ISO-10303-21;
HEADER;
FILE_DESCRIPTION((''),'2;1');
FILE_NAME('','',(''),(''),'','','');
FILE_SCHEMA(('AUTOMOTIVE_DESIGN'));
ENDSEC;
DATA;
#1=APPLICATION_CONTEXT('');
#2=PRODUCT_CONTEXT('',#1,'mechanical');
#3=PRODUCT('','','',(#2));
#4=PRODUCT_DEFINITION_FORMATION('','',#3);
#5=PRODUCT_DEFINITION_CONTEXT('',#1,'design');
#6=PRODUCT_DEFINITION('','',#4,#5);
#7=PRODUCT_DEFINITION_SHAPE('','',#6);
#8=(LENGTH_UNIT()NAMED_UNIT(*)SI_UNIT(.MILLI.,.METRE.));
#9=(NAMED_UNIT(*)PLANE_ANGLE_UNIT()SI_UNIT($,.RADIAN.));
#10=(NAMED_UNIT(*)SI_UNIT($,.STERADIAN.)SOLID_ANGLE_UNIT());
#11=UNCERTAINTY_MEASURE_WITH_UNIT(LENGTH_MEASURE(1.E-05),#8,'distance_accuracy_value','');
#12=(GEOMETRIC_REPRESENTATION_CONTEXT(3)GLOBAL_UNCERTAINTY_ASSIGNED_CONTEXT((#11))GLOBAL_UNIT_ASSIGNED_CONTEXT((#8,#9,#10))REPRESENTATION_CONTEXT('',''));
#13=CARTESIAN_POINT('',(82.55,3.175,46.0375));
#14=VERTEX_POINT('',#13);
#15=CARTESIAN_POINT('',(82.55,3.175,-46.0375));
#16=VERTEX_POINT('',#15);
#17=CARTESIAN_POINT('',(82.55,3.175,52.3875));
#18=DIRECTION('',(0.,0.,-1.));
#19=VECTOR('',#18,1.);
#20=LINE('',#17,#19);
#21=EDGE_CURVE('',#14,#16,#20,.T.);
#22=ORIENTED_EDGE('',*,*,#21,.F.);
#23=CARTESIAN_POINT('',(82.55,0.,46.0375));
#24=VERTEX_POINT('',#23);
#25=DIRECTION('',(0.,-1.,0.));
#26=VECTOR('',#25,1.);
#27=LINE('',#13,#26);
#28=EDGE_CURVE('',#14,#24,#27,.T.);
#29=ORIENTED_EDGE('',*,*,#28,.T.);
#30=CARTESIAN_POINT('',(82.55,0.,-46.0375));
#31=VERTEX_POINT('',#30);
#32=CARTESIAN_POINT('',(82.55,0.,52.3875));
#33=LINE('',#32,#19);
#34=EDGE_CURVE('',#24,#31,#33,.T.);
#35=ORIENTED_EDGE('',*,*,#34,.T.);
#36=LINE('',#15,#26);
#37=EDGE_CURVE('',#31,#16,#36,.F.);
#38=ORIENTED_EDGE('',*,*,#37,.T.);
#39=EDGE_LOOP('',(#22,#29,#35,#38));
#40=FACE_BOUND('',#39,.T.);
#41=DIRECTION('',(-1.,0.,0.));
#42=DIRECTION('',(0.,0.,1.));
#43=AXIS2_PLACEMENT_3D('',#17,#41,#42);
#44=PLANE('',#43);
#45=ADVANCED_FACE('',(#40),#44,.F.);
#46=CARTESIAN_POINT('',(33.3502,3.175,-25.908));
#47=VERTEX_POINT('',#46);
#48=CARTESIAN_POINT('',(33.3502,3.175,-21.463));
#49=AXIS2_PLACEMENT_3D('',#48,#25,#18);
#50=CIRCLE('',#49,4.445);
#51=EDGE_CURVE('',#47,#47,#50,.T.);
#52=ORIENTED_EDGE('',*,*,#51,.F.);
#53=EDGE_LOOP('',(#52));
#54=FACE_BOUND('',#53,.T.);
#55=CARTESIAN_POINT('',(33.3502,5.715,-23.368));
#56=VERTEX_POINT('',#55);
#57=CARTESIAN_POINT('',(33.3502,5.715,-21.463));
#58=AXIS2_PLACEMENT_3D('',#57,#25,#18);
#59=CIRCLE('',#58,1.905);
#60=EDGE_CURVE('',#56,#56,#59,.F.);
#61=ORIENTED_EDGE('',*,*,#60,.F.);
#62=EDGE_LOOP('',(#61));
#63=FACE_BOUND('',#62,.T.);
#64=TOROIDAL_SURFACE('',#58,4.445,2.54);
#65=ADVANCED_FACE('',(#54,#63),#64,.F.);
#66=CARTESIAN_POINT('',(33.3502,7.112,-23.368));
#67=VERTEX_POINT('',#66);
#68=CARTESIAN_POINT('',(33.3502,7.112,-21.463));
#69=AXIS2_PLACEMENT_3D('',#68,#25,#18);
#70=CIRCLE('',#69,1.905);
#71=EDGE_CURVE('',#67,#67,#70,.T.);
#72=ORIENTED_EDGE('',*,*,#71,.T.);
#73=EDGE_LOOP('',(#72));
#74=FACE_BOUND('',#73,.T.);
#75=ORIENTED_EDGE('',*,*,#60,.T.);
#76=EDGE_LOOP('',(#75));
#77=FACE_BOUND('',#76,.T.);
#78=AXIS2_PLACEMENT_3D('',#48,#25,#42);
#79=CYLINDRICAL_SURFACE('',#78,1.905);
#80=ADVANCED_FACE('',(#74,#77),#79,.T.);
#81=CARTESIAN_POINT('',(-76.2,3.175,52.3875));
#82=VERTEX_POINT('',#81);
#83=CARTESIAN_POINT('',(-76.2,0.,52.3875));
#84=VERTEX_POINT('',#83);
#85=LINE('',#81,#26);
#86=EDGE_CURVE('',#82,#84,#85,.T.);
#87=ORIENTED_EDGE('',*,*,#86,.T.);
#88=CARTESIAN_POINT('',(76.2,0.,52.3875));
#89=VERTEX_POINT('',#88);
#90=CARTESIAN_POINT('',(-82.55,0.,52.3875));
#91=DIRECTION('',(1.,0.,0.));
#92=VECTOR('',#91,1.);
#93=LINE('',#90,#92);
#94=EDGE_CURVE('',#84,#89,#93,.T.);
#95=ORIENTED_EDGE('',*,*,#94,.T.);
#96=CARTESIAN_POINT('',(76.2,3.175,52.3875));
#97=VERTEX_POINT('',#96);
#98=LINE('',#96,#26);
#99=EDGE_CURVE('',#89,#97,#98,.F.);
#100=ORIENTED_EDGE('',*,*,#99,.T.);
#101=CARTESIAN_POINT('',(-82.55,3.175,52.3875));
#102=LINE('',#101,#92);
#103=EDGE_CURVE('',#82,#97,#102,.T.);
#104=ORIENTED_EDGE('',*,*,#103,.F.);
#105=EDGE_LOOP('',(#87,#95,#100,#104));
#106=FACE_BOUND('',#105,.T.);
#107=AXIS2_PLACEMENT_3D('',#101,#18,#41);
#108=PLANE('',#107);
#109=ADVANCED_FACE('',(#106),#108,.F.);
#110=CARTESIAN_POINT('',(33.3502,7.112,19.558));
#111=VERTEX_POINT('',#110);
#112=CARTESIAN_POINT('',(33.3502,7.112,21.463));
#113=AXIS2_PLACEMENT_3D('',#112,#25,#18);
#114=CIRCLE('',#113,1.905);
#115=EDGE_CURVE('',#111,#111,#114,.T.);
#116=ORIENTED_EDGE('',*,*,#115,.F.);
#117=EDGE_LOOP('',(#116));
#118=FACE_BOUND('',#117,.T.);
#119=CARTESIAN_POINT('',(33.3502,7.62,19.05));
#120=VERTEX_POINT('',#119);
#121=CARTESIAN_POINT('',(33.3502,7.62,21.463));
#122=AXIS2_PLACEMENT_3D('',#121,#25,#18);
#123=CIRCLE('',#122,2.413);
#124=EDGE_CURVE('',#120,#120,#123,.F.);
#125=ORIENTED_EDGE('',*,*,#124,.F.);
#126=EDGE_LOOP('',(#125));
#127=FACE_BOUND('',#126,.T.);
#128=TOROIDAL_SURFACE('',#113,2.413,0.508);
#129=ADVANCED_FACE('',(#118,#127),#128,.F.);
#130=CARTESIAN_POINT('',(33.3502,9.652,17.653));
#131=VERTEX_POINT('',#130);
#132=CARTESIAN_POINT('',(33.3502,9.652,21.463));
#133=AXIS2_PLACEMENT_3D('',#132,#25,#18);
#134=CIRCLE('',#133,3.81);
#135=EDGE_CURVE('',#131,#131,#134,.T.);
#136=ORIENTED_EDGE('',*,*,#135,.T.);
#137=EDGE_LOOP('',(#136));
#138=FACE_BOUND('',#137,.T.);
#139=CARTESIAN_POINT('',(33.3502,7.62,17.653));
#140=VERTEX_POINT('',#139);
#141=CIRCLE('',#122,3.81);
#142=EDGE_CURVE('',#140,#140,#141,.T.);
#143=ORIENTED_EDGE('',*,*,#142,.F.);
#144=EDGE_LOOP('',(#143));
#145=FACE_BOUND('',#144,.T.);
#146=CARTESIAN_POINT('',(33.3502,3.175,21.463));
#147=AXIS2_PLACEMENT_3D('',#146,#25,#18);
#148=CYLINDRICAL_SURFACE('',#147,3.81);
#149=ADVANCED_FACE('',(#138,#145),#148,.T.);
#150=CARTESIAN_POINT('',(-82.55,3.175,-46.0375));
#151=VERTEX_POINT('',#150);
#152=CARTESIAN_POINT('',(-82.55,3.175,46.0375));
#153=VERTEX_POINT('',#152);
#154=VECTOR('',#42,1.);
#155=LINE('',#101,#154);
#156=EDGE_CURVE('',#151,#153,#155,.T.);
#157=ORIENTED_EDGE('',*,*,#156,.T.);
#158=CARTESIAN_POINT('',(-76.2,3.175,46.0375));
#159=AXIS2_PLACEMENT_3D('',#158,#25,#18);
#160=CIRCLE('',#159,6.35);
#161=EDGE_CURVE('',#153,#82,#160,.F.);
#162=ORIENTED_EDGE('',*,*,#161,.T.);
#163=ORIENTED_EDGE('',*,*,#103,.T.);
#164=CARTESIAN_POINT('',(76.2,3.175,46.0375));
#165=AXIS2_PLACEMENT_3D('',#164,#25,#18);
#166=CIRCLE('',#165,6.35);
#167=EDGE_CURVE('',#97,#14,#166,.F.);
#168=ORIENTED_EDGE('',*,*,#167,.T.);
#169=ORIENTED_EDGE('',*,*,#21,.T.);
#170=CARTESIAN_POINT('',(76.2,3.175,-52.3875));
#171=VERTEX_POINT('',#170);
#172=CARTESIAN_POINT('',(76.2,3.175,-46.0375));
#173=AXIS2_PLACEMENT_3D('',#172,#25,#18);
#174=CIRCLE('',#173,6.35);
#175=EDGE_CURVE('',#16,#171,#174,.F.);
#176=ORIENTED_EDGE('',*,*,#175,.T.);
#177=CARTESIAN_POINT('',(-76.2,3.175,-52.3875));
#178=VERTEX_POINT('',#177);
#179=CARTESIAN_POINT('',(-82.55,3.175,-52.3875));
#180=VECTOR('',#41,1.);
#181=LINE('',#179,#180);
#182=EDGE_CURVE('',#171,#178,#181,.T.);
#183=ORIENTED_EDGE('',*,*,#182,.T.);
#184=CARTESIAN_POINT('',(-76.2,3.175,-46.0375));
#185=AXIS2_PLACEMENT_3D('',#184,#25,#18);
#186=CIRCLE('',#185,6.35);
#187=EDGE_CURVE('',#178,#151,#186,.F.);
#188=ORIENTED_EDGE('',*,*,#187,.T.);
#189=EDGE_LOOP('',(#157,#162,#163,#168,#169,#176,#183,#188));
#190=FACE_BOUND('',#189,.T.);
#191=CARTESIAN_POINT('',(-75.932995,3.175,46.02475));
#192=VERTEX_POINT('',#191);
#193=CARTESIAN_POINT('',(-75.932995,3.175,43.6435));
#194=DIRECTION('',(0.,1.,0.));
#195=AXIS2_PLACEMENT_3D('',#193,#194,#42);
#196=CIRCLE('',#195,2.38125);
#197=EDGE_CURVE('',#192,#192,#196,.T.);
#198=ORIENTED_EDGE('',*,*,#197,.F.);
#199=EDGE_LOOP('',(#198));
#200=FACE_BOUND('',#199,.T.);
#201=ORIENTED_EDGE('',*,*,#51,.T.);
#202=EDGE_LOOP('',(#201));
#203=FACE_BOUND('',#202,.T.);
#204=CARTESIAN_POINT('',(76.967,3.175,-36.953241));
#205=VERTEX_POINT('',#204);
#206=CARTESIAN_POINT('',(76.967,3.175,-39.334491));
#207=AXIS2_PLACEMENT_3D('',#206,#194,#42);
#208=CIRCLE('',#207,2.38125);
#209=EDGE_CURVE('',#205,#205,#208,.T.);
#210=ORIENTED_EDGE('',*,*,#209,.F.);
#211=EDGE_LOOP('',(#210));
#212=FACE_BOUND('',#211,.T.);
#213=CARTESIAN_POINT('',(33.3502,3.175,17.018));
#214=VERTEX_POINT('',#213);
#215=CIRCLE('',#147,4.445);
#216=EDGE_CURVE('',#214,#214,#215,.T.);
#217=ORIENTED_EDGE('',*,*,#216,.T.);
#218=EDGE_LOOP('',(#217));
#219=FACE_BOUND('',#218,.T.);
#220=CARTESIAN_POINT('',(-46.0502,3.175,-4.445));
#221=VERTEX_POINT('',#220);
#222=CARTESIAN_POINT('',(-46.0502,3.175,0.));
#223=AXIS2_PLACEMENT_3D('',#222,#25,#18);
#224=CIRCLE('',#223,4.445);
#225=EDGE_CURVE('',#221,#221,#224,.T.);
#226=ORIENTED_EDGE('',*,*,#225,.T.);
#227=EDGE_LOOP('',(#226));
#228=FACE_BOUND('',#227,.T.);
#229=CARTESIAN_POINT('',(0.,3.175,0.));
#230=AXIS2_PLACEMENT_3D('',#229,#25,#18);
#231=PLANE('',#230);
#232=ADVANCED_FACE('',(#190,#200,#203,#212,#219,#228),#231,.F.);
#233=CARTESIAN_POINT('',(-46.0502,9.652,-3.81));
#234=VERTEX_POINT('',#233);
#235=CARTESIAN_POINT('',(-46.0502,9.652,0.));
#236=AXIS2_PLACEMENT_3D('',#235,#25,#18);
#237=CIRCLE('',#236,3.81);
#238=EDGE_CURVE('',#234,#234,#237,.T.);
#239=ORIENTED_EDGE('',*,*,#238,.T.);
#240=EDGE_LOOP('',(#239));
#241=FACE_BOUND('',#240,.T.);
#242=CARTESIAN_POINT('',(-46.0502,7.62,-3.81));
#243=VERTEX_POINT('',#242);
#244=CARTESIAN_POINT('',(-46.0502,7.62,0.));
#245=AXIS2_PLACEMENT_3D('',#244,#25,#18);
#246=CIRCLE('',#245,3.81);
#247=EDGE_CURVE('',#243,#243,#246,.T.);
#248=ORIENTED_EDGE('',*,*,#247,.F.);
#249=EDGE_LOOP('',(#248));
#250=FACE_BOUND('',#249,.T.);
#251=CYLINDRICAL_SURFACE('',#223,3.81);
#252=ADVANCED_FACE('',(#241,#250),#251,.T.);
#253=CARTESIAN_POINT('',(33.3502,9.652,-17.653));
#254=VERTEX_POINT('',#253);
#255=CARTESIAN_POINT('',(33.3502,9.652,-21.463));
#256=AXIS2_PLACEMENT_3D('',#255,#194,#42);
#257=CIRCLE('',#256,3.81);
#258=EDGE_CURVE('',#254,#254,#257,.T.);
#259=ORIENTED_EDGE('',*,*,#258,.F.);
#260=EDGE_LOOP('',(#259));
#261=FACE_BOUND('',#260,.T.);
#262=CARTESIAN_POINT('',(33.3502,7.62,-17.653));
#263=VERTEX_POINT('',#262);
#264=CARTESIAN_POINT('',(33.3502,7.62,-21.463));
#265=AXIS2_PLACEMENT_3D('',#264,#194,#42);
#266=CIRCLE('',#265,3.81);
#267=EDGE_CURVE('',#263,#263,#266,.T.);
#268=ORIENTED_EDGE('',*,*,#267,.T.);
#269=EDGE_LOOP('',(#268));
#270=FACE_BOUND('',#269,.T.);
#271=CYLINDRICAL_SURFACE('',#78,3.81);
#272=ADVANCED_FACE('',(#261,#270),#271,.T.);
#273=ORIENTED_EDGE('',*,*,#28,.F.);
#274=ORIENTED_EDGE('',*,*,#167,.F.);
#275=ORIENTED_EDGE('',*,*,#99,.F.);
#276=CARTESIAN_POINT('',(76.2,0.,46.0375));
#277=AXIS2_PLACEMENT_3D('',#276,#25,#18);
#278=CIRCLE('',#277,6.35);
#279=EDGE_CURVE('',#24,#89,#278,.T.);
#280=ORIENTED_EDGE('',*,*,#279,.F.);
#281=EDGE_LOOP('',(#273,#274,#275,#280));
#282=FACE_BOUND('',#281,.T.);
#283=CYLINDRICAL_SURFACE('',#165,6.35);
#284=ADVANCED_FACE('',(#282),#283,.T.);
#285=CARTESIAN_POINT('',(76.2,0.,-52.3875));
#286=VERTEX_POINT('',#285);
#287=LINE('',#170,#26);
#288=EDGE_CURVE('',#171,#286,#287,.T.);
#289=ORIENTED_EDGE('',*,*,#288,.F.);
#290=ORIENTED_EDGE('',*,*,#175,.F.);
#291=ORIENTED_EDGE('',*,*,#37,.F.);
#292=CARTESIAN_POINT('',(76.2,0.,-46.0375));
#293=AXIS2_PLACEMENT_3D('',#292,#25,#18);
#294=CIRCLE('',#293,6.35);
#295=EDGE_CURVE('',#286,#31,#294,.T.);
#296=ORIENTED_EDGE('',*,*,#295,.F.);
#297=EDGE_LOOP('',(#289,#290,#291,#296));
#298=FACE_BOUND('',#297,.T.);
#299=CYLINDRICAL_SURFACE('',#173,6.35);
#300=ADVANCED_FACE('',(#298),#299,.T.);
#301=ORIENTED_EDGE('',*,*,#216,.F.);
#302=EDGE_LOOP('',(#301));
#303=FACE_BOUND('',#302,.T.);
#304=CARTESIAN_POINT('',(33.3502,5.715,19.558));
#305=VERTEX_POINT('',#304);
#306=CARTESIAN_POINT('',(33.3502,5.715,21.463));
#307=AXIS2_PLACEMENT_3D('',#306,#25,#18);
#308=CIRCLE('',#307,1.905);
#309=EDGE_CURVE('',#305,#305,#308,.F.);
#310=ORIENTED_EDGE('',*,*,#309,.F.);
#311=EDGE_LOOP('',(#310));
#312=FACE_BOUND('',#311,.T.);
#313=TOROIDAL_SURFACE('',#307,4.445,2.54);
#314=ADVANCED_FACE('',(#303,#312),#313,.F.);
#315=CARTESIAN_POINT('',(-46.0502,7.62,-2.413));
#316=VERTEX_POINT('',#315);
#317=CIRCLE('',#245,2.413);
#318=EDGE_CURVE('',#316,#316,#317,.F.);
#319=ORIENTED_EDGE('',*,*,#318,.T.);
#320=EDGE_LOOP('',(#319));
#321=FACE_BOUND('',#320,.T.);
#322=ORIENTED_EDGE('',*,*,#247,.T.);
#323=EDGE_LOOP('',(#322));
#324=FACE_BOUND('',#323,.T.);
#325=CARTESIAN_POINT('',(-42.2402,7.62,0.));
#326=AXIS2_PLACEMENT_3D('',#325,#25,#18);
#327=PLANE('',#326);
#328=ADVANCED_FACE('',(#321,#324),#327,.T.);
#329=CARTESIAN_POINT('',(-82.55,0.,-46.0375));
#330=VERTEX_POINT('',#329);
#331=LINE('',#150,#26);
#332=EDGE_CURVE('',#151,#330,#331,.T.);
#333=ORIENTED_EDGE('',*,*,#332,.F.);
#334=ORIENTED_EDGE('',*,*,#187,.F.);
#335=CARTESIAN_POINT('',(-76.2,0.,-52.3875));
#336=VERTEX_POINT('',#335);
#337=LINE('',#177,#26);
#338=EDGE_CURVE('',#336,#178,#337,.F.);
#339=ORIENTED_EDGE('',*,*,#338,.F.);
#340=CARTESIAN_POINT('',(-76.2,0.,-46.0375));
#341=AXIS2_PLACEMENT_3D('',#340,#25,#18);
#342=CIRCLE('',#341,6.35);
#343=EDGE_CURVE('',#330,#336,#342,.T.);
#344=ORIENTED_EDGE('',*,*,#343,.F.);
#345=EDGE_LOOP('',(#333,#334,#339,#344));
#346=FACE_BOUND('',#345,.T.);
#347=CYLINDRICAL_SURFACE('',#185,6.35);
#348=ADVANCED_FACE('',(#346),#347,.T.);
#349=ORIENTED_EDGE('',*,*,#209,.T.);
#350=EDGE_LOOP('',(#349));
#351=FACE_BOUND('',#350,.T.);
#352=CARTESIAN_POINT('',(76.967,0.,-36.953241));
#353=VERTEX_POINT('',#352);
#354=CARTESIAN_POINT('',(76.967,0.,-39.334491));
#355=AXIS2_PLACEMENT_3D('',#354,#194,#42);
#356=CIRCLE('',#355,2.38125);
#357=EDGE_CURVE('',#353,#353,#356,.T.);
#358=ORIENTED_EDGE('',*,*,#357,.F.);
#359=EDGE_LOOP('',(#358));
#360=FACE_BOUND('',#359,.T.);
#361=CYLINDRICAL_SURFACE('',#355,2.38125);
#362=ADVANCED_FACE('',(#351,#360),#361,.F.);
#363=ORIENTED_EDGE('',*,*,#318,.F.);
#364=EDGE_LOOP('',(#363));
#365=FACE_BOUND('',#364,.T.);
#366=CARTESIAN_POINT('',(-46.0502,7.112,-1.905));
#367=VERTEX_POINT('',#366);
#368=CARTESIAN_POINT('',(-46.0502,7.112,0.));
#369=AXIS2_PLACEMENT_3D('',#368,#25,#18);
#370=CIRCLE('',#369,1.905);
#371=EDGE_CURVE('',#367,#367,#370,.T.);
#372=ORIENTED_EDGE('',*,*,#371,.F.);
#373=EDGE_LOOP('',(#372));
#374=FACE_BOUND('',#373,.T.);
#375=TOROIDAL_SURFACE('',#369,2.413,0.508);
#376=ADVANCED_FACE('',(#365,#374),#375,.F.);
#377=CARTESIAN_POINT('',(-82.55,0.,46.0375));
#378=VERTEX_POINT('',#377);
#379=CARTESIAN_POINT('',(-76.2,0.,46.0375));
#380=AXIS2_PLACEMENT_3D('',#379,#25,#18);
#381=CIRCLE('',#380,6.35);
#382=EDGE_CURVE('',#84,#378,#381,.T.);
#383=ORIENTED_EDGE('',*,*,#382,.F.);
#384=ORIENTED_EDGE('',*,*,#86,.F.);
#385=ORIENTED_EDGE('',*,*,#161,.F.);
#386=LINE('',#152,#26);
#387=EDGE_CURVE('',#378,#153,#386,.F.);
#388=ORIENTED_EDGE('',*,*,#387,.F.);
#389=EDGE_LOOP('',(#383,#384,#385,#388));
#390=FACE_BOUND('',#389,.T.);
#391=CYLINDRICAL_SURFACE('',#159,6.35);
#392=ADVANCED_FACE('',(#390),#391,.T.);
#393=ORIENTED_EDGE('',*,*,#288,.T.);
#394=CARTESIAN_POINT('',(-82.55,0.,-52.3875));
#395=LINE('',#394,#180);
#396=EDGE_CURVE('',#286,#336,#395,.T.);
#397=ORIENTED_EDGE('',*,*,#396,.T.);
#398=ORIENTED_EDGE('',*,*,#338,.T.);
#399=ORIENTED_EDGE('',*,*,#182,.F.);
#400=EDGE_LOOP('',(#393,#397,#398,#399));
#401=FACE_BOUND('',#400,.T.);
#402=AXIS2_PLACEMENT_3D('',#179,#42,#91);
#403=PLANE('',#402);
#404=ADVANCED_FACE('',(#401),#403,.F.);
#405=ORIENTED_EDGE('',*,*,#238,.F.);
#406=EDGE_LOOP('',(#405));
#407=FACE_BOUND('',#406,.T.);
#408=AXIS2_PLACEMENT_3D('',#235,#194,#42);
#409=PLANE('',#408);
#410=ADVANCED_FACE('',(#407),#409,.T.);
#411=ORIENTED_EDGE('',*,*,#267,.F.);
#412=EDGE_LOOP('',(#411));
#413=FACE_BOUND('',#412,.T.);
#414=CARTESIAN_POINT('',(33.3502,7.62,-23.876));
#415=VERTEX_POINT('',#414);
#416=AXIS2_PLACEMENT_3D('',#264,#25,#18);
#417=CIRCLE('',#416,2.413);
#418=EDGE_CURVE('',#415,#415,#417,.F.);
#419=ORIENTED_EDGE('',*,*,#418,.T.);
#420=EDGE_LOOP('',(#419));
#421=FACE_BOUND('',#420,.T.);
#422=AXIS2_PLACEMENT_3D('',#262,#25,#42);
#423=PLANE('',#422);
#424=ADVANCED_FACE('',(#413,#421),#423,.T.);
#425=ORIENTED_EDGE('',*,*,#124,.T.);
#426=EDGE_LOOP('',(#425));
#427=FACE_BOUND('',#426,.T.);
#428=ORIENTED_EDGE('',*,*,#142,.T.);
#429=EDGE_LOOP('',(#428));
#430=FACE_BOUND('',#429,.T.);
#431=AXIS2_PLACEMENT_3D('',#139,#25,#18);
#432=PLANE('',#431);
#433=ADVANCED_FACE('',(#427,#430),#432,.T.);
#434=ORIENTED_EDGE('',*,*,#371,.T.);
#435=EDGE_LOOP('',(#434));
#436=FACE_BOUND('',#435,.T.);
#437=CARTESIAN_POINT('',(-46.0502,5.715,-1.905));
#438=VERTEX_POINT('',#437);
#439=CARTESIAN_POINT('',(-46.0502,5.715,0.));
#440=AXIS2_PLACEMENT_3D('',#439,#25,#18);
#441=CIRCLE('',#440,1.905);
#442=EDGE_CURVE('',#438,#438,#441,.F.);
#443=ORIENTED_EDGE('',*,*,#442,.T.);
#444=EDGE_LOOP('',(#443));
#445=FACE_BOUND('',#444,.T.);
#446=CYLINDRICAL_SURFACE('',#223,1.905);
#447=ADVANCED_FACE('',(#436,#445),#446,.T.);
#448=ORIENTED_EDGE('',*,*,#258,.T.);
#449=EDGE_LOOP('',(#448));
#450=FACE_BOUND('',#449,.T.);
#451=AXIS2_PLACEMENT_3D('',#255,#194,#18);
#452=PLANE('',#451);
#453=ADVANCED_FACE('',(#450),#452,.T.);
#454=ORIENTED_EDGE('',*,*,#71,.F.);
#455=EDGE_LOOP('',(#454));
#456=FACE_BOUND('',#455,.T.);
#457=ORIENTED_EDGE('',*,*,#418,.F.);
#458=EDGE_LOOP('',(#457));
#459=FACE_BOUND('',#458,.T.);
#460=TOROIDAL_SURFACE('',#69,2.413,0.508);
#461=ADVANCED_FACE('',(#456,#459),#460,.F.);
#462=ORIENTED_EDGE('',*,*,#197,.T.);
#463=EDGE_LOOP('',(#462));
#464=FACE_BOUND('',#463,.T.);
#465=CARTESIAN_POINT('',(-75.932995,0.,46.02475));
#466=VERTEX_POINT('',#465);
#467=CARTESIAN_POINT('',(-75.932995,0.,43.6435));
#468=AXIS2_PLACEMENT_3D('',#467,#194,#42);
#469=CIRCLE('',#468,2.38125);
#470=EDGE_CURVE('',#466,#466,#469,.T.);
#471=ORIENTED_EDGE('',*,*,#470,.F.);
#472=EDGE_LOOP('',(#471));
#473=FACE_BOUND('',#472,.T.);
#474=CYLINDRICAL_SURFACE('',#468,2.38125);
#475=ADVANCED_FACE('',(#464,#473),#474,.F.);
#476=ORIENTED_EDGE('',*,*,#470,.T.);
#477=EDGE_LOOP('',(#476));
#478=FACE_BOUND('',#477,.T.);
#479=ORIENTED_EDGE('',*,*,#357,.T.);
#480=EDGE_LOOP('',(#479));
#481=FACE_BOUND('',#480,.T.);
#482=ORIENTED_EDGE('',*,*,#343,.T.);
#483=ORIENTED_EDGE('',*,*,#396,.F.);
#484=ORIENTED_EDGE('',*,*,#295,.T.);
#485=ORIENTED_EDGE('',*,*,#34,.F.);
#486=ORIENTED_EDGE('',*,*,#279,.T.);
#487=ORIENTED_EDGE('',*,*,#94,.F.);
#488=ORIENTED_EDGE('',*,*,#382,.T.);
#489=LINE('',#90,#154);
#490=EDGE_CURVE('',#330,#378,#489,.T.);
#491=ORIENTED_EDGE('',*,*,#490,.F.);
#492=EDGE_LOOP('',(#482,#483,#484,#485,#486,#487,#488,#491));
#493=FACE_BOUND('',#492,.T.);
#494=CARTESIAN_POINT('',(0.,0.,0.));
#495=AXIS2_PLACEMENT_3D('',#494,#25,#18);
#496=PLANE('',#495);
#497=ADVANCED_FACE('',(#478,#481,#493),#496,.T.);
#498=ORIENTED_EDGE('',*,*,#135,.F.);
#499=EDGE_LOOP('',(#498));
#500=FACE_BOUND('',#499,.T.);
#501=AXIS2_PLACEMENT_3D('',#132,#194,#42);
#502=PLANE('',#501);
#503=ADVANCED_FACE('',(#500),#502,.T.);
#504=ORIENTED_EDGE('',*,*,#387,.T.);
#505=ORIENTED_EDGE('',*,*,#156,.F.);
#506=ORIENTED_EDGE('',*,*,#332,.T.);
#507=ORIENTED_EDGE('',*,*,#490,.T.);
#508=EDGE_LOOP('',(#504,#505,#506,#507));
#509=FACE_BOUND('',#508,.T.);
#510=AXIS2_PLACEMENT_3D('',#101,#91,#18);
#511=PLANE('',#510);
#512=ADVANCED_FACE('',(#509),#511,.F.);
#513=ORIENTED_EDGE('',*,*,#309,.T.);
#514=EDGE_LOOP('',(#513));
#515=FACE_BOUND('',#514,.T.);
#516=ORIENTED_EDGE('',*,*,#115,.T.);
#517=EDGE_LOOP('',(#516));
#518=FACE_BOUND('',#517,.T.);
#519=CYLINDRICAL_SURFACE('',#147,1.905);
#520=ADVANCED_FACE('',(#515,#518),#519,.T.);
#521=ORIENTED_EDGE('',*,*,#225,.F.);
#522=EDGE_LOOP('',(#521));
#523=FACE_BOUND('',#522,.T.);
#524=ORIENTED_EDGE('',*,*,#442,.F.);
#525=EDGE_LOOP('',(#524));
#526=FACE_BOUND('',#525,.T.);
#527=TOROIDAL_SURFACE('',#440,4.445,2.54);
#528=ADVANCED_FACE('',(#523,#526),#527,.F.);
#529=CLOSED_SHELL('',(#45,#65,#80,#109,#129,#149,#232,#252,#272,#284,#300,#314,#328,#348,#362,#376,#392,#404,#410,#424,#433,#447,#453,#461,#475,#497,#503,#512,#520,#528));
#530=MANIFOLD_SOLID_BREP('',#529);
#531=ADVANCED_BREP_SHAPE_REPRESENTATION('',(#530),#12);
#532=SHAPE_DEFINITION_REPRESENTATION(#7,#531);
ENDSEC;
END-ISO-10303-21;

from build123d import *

# Parameters (mm, degrees)
SKETCH1_W           = 165.1
SKETCH1_H           = 104.775
BOSS_EXTRUDE1_DEPTH = 3.175
FILLET1_R           = 2.54
FILLET2_R           = 0.508
FILLET3_R           = 6.35
SKETCH4_R           = 2.38125
CUT_EXTRUDE1_DEPTH  = 4.175


with BuildPart() as part:
    # Sketch1 → Boss-Extrude1 (new body)
    with BuildSketch(Plane(origin=(0, 0, 0), x_dir=(1, 0, 0), z_dir=(0, 1, 0))):
        Rectangle(SKETCH1_W, SKETCH1_H)
    extrude(amount=BOSS_EXTRUDE1_DEPTH)

    # Sketch2 → Revolve1 (revolve)
    with BuildSketch(Plane.XY):
        Polygon((-46.0502, 3.175), (-46.0502, 9.652), (-42.2402, 9.652), (-42.2402, 7.62), (-44.1452, 7.62), (-44.1452, 3.175), align=None)
    revolve(axis=Axis((-46.0502, 3.175, 0), (0, 1, 0)))

    # Sketch3 → Revolve2 (revolve)
    with BuildSketch(Plane(origin=(33.3502, 0, 0), x_dir=(0, 0, -1), z_dir=(1, 0, 0))):
        Polygon((-21.463, 3.175), (-21.463, 9.652), (-17.653, 9.652), (-17.653, 7.62), (-19.558, 7.62), (-19.558, 3.175), align=None)
    revolve2 = revolve(axis=Axis((33.3502, 3.175, 21.463), (0, 1, 0)))

    # Mirror1: Revolve2 across plane
    add(revolve2.mirror(Plane.XY))

    # Fillet1
    fillet1_edges = [part.edges().sort_by_distance(p)[0] for p in [
        (-47.9552, 3.175, 0),
        (33.3502, 3.175, 23.368),
        (33.3502, 3.175, -23.368),
    ]]
    fillet(fillet1_edges, radius=FILLET1_R)

    # Fillet2
    fillet2_edges = [part.edges().sort_by_distance(p)[0] for p in [
        (-47.9552, 7.62, 0),
        (33.3502, 7.62, 23.368),
        (33.3502, 7.62, -23.368),
    ]]
    fillet(fillet2_edges, radius=FILLET2_R)

    # Fillet3
    fillet3_edges = [part.edges().sort_by_distance(p)[0] for p in [
        (82.55, 1.5875, 52.3875),
        (-82.55, 1.5875, 52.3875),
        (-82.55, 1.5875, -52.3875),
        (82.55, 1.5875, -52.3875),
    ]]
    fillet(fillet3_edges, radius=FILLET3_R)

    # Sketch4 → Cut-Extrude1 (cut, through all)
    with BuildSketch(Plane(origin=(0, 3.175, 0), x_dir=(1, 0, 0), z_dir=(0, 1, 0))):
        with Locations((-75.9329952, -43.643499962)):
            Circle(SKETCH4_R)
        with Locations((76.96699999, 39.3344908)):
            Circle(SKETCH4_R)
    extrude(amount=-CUT_EXTRUDE1_DEPTH, mode=Mode.SUBTRACT)


solid = part.part
